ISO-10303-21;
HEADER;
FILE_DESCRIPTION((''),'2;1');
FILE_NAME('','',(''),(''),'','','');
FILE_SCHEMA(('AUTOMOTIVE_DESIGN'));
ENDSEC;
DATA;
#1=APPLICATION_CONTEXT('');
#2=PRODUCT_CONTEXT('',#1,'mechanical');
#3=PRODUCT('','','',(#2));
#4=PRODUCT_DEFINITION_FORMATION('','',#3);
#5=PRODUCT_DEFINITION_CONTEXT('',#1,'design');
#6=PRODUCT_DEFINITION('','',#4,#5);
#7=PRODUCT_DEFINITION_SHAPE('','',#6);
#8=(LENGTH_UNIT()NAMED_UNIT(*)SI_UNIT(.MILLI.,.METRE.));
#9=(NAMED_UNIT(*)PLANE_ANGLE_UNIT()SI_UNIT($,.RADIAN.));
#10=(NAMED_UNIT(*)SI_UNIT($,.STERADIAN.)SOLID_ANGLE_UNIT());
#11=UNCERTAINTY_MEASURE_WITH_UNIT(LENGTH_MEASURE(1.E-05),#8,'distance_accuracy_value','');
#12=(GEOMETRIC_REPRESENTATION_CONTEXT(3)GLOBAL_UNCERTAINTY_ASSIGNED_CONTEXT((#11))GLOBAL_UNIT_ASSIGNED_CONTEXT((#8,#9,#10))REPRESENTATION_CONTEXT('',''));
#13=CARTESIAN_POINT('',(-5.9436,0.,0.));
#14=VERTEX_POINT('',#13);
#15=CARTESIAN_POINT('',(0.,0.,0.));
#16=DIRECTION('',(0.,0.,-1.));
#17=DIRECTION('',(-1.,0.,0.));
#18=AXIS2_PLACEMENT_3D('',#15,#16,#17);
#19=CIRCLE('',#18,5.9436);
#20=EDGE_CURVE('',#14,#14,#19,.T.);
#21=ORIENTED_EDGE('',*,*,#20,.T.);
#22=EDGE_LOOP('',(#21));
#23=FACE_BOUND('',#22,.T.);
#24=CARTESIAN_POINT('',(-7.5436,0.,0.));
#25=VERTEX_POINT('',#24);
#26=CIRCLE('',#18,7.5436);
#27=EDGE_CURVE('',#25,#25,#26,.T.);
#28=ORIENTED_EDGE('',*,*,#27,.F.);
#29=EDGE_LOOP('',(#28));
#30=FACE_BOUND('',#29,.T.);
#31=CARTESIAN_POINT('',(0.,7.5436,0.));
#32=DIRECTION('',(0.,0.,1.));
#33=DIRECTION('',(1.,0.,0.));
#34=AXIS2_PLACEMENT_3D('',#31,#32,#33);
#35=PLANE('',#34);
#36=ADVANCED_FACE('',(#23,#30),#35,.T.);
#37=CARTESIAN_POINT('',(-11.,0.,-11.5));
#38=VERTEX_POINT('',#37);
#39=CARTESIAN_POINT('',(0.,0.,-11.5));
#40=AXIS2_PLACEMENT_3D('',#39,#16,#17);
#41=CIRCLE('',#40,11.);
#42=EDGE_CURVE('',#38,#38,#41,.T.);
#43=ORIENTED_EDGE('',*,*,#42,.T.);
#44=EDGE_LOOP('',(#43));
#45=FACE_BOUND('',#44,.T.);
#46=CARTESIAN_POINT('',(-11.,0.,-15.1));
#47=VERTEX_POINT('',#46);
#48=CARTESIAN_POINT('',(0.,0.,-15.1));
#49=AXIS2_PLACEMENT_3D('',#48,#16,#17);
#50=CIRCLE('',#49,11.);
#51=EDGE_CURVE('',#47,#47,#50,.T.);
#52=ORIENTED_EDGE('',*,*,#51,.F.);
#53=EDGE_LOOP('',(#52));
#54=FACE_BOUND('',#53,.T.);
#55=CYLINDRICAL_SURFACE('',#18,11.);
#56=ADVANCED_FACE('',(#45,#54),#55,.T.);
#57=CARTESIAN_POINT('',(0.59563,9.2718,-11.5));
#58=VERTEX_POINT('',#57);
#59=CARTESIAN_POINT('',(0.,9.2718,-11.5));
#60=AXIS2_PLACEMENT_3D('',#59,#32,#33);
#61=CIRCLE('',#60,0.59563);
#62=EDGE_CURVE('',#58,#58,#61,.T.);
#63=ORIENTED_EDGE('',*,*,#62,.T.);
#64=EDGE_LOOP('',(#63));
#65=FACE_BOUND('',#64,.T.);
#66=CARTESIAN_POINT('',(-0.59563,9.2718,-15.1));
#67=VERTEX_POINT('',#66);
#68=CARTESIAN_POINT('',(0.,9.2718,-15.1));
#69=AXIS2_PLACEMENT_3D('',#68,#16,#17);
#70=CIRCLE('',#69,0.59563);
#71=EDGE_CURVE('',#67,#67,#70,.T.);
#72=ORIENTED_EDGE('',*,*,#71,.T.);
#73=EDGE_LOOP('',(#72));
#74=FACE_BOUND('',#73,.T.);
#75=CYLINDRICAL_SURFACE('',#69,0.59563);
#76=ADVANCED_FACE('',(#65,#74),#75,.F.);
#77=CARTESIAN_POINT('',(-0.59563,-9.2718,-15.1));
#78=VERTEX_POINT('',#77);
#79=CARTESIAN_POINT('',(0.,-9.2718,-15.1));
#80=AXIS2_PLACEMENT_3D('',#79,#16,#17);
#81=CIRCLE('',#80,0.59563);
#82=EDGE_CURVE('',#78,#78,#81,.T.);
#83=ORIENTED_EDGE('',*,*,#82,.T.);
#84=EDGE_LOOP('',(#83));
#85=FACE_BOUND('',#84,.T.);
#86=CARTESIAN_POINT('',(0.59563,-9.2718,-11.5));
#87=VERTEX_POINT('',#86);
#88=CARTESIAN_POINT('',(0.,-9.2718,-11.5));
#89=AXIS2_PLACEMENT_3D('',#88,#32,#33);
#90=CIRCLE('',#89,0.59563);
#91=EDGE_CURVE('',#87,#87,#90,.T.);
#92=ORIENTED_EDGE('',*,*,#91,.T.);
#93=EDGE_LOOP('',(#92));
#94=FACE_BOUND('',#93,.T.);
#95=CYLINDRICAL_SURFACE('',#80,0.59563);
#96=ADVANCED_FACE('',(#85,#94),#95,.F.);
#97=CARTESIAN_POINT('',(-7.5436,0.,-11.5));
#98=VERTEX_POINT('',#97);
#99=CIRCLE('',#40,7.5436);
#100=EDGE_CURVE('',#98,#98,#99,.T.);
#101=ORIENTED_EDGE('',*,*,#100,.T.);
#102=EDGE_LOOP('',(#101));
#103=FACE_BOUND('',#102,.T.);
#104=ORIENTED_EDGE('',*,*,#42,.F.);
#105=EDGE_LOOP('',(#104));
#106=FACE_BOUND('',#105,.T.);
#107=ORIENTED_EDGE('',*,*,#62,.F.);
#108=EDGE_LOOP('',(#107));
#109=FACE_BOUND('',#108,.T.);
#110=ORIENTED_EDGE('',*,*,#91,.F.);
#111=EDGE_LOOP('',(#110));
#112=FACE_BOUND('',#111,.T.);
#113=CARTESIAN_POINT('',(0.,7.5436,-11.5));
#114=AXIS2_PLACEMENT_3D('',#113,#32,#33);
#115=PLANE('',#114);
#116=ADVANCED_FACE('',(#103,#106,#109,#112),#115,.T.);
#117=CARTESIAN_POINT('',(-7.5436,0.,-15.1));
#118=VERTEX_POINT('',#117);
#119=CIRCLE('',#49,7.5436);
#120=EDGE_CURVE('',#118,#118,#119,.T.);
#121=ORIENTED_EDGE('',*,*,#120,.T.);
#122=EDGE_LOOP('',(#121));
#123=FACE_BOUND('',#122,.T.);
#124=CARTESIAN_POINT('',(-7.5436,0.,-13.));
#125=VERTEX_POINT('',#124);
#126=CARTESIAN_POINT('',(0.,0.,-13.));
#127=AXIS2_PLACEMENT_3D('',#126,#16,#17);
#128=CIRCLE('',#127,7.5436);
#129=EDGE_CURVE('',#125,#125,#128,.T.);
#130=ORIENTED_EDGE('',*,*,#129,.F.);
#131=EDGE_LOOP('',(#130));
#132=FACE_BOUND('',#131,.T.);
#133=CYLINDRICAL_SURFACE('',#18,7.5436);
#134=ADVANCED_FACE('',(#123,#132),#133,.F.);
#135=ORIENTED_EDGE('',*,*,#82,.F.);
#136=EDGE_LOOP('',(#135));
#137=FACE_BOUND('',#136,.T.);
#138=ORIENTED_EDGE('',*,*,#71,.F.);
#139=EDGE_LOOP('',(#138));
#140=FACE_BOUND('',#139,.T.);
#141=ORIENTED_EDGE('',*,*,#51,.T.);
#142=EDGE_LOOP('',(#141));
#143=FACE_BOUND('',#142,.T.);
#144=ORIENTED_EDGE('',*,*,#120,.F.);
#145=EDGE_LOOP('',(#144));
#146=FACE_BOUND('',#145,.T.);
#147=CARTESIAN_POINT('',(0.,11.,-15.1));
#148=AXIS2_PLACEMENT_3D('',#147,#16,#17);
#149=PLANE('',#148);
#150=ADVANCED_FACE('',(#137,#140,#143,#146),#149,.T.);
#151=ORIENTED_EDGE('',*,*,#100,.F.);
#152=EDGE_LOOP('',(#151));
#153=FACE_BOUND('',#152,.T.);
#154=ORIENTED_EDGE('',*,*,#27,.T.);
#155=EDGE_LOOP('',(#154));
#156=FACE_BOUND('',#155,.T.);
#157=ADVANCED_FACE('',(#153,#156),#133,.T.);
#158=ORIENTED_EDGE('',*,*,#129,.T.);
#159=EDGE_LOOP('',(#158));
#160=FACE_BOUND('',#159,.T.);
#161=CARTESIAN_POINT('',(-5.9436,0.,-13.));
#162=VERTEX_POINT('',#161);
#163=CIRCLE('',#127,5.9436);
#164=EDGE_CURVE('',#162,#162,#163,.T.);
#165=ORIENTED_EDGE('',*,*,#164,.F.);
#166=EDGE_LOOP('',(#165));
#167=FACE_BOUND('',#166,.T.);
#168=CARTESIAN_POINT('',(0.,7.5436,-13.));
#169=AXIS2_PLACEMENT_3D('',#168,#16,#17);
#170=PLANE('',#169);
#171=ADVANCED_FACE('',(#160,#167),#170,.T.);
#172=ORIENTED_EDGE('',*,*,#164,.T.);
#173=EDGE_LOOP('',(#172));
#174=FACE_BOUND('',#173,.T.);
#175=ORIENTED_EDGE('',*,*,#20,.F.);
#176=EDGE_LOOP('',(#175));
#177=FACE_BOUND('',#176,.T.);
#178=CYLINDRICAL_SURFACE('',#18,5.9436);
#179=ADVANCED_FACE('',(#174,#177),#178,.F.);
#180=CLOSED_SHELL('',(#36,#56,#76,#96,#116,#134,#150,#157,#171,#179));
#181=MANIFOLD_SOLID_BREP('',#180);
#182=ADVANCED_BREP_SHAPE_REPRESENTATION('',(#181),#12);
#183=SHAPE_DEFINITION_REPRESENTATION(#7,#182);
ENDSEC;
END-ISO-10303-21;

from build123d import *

# Parameters (mm, degrees)
F_0_80_TAPPED_HOLE1_D = 1.19126


with BuildPart() as part:
    # Sketch1 → Revolve1 (revolve)
    with BuildSketch(Plane(origin=(0, 0, 0), x_dir=(0, 0, -1), z_dir=(1, 0, 0)), mode=Mode.PRIVATE) as revolve1_sk:
        Polygon((15.1, 11), (15.1, 7.5436), (13, 7.5436), (13, 5.9436), (0, 5.9436), (0, 7.5436), (11.5, 7.5436), (11.5, 11), align=None)
    revolve(revolve1_sk.sketch.rotate(Axis((0, 0, 0), (0, 0, 1)), 90), axis=Axis((0, 0, 0), (0, 0, 1)))  # turned: the seam where the file's is

    # #0-80 Tapped Hole1 (through all)
    with Locations(Plane(origin=(0, 0, -15.1), x_dir=(-1, 0, 0), z_dir=(0, 0, -1))):
        with Locations((0, 9.2718)):
            f_0_80_tapped_hole1 = Hole(F_0_80_TAPPED_HOLE1_D / 2)

    # Mirror1: #0-80 Tapped Hole1 across plane
    add(f_0_80_tapped_hole1.mirror(Plane.ZX), mode=Mode.SUBTRACT)


solid = part.part
